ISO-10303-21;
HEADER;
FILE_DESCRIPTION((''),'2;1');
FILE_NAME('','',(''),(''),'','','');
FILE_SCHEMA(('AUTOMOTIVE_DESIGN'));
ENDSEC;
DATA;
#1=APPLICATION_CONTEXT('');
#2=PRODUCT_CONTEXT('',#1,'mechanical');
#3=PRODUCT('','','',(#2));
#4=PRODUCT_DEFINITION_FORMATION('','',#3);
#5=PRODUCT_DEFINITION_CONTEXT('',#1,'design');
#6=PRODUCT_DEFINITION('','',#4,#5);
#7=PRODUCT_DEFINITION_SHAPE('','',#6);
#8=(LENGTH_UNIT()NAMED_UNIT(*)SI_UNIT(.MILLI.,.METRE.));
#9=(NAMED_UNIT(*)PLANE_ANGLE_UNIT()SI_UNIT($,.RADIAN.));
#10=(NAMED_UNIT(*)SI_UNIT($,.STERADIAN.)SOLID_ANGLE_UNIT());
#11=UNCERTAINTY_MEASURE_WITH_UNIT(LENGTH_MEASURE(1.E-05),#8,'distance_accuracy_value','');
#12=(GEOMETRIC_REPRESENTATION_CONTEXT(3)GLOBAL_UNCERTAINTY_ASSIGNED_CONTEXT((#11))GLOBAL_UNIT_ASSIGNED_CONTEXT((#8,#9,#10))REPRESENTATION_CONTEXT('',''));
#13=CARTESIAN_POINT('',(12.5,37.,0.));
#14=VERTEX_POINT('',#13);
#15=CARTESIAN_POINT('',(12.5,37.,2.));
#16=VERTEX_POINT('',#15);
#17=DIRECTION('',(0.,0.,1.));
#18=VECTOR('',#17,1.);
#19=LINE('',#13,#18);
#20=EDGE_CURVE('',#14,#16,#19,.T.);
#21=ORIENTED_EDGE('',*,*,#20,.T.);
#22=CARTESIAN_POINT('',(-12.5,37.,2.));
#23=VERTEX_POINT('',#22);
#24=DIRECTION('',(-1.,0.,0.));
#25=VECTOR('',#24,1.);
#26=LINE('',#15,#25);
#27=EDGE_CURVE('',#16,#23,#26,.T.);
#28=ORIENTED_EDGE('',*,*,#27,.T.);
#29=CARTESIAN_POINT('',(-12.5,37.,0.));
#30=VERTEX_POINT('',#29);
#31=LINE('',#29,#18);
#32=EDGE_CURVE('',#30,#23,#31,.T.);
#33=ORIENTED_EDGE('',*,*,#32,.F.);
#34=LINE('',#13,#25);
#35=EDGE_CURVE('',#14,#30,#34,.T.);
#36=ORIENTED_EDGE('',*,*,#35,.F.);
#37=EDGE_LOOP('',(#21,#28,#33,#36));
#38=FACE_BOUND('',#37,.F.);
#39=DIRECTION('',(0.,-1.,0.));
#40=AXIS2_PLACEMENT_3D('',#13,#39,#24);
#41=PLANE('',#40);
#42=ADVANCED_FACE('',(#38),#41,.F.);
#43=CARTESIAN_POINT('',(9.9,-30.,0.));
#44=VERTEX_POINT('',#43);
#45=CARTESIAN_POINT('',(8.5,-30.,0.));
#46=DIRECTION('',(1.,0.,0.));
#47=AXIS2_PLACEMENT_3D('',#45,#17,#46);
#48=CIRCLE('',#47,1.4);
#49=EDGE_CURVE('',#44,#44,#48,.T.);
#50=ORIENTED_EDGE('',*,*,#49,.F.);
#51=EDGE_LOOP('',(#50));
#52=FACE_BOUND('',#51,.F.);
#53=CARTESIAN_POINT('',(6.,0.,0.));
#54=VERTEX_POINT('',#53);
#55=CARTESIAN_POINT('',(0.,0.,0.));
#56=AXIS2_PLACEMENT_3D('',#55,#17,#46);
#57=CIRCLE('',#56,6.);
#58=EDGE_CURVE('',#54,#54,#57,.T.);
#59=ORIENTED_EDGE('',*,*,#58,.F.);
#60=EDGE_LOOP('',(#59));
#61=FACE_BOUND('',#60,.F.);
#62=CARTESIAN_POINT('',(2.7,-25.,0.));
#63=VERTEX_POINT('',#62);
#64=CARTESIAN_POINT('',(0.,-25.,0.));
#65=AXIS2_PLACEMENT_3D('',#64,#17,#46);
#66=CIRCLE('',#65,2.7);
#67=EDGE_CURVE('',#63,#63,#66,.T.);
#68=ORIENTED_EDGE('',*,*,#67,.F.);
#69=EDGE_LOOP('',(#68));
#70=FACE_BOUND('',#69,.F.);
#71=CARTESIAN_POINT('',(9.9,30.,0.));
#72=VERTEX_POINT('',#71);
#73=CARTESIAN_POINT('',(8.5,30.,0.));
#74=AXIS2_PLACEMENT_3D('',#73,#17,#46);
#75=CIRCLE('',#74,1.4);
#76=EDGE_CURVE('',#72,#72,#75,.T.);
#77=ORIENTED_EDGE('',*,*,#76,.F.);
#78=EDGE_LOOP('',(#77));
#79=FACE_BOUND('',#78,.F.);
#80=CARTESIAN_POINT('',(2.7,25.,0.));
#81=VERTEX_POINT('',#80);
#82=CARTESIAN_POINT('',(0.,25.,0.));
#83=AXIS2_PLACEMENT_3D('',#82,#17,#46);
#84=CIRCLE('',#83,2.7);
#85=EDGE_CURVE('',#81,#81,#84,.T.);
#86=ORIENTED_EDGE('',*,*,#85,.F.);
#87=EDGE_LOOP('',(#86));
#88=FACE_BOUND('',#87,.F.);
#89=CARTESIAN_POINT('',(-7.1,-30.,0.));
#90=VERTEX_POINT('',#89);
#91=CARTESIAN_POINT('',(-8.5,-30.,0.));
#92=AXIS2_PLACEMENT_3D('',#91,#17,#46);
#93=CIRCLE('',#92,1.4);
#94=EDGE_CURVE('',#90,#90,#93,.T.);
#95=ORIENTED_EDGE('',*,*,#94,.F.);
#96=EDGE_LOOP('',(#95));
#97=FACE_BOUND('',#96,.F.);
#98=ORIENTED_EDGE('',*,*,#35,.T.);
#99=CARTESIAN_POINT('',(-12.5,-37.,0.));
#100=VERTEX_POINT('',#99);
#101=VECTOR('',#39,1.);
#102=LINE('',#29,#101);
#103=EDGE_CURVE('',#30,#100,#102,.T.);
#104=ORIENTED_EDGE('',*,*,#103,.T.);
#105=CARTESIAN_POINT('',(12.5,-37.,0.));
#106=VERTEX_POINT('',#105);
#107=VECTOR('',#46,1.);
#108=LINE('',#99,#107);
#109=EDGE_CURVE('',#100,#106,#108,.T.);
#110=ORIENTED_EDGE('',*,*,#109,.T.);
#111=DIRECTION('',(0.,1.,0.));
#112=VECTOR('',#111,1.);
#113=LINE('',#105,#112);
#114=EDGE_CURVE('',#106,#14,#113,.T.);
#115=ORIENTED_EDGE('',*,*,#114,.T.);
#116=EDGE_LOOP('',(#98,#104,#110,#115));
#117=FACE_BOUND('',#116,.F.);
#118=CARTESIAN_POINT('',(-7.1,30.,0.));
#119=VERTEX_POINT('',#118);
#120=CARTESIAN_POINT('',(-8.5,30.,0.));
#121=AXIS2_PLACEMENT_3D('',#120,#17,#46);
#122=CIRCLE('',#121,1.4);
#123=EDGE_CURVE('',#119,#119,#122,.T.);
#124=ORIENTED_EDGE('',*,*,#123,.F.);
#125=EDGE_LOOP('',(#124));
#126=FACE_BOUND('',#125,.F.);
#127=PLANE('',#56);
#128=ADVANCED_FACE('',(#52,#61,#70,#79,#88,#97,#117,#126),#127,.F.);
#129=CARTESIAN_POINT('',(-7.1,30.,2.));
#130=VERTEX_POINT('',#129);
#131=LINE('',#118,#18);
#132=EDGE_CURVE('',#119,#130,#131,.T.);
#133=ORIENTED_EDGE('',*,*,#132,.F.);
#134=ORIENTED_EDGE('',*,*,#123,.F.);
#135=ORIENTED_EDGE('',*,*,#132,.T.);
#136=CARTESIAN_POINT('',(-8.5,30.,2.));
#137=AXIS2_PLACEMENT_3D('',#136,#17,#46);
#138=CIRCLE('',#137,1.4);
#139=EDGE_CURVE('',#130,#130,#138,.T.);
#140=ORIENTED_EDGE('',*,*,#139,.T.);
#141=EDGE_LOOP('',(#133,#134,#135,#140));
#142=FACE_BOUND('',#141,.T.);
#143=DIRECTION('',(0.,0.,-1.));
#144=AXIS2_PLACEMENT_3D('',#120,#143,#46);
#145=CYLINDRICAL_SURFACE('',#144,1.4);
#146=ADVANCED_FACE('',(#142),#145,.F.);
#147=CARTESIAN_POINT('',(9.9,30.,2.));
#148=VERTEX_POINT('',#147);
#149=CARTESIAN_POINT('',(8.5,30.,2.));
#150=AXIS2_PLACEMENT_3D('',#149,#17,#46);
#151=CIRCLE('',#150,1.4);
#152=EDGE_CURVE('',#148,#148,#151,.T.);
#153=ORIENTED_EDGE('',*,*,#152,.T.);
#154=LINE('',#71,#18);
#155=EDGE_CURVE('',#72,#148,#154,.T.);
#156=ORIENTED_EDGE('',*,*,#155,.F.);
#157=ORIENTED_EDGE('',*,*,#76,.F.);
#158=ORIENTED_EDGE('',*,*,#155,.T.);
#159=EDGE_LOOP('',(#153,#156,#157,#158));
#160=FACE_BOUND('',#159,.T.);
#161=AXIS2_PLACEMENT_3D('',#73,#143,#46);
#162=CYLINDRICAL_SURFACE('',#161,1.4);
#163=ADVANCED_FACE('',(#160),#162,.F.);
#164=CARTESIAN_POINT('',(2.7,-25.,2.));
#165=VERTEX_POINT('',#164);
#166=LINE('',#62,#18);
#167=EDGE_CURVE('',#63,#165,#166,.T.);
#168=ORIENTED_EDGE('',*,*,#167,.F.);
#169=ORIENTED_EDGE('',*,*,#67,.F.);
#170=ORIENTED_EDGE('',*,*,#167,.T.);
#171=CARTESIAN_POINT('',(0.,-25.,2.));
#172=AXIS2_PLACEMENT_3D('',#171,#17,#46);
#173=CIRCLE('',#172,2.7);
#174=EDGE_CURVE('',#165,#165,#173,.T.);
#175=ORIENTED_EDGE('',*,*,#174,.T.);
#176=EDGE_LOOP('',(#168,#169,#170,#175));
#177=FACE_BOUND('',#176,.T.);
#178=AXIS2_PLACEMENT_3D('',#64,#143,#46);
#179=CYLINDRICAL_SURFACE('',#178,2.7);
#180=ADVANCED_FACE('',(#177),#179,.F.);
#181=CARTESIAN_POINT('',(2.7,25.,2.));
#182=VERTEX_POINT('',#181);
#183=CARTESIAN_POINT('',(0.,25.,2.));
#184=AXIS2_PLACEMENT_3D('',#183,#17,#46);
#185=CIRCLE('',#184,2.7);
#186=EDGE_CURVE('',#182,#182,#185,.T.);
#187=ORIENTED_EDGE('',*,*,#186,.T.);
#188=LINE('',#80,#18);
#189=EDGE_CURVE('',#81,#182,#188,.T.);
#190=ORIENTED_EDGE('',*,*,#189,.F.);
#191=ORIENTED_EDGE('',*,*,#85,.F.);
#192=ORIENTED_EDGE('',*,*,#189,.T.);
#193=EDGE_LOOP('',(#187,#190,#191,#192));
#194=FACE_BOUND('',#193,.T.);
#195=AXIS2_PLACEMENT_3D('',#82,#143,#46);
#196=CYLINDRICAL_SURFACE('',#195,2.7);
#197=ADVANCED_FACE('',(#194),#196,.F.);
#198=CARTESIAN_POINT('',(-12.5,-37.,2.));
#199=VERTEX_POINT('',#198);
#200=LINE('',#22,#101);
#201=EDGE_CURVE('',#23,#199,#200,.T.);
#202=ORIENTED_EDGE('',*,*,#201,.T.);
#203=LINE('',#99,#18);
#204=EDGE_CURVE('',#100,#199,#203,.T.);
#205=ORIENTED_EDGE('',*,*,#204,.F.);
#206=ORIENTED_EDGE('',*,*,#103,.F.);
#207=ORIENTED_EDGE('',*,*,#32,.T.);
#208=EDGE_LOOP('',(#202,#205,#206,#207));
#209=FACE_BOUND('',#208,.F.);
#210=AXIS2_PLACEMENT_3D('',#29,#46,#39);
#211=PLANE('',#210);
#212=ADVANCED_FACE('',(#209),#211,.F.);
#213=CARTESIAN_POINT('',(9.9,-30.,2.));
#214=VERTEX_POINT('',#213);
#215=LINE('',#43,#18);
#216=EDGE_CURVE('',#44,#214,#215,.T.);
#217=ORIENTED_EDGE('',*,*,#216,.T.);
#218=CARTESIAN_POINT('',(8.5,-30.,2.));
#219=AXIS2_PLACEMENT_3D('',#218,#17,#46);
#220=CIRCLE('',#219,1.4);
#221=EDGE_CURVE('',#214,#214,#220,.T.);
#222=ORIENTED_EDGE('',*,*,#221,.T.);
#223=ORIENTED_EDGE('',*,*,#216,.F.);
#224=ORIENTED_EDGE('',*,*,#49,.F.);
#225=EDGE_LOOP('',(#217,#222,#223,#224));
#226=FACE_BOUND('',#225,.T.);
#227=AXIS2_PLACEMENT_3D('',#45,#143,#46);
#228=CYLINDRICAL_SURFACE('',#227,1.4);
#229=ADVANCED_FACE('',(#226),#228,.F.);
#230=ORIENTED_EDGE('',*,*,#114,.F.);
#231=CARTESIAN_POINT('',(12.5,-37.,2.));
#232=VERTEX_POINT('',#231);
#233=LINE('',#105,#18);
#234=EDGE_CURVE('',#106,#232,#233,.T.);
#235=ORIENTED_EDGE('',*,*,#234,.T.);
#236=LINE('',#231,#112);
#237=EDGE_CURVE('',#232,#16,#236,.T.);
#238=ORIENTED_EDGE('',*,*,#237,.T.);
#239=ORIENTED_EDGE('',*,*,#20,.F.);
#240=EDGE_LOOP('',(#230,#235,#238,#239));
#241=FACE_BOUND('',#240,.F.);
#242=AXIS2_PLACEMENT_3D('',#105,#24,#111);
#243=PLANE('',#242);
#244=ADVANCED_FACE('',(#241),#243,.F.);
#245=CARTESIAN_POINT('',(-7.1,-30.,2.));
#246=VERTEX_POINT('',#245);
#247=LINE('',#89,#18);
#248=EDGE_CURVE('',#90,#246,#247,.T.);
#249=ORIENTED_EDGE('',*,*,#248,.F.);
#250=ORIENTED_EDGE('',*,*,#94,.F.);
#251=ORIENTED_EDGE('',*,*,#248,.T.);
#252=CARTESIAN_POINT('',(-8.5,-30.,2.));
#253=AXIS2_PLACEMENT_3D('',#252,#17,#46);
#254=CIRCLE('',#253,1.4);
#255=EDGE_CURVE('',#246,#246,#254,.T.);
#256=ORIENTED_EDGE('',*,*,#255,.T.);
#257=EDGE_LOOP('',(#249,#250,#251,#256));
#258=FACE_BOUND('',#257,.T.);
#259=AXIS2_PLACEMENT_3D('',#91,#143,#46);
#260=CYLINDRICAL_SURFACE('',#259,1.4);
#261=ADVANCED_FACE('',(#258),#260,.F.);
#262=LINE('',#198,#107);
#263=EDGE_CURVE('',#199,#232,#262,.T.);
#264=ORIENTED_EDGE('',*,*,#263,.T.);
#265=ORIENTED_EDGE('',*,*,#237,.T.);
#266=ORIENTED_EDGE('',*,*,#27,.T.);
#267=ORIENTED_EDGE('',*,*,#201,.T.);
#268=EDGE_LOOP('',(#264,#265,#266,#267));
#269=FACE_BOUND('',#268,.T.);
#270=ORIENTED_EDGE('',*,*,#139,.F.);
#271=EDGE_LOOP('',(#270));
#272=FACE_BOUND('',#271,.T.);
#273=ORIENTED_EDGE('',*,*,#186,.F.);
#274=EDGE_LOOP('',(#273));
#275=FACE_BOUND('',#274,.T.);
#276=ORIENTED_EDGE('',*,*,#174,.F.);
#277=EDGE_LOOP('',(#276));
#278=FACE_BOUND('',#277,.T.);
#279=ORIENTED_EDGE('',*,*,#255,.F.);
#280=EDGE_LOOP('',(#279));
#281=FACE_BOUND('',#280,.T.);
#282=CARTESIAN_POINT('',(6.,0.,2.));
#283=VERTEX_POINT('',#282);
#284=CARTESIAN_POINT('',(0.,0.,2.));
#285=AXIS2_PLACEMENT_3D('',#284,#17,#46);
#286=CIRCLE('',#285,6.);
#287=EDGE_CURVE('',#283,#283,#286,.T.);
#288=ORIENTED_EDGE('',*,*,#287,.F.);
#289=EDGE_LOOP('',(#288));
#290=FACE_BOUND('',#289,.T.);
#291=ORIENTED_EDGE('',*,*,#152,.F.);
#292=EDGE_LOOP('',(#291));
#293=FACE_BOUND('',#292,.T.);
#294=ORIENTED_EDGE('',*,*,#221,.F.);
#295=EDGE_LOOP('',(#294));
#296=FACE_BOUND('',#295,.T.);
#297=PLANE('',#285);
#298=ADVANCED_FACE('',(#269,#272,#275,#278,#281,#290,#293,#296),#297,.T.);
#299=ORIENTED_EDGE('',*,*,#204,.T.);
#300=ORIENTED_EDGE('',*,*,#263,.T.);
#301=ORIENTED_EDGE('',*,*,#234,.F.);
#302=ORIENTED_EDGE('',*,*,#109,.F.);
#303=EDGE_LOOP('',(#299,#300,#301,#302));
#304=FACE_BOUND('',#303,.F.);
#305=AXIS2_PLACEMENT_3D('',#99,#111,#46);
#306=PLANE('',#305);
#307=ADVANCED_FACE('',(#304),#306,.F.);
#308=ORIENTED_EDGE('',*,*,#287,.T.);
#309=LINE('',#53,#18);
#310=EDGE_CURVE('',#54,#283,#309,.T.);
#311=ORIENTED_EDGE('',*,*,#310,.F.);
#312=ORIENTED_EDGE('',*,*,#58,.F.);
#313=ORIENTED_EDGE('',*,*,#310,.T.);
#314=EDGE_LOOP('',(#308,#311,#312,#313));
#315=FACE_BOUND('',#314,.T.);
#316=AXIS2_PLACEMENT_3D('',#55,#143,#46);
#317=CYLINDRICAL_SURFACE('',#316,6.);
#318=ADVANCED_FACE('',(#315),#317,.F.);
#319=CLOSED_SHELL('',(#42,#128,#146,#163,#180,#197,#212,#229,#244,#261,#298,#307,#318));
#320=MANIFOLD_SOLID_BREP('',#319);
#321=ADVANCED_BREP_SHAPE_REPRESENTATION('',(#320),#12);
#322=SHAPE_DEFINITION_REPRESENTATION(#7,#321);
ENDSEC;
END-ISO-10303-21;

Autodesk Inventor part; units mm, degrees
ref_plane "YZ Plane" through (0, 0, 0) normal (1, 0, 0) x (0, 1, 0)
ref_plane "XZ Plane" through (0, 0, 0) normal (0, 1, 0) x (-1, 0, 0)
ref_plane "XY Plane" through (0, 0, 0) normal (0, 0, 1) x (1, 0, 0)
ref_plane "Arbeitsebene1" through (0, 0, 0) normal (0, 0, 1) x (1, 0, 0)
sketch "Skizze1" plane through (0, 0, 0) normal (0, 0, 1) x (1, 0, 0)
  circle A0 centre (0, -25) radius 2.5 projected
  circle A1 centre (0, 25) radius 2.5 projected
  line L0 (12.5, -37) -> (12.5, 37) projected
  line L1 (12.5, 37) -> (-12.5, 37) projected
  line L2 (-12.5, 37) -> (-12.5, -37) projected
  line L3 (-12.5, -37) -> (12.5, -37) projected
  circle A2 centre (8.5, -30) radius 1.4 projected
  circle A3 centre (-8.5, -30) radius 1.4 projected
  circle A4 centre (-8.5, 30) radius 1.4 projected
  circle A5 centre (8.5, 30) radius 1.4 projected
  circle A6 centre (0, 0) radius 6
  circle A7 centre (0, 25) radius 2.7
  circle A8 centre (0, -25) radius 2.7
  line L4 (-9.25, 9.25) -> (9.25, 9.25) projected
  line L5 (9.25, 9.25) -> (9.25, -9.25) projected
  line L6 (9.25, -9.25) -> (-9.25, -9.25) projected
  line L7 (-9.25, -9.25) -> (-9.25, 9.25) projected
  point P0 (0.75, -9.25)
  point P1 (-0.75, -9.25)
  point P2 (-0.75, 9.25)
  point P3 (0.75, 9.25)
  point P4 (0.75, 5.9529)
  point P5 (-0.75, 5.9529)
  point P6 (0.75, -5.9529)
  point P7 (-0.75, -5.9529)
  dimension "d0" = 12
  dimension "d4" = 0.2
  dimension "d5" = 0.2
extrude "Extrusion1" add sketch "Skizze1" along normal blind 2 contours L3 L2 L1 L0 | L4 L5 L6 L7
sketch "Skizze2" plane through (0, 0, 0) normal (0, 0, -1) x (-1, 0, 0)
  line L0 (-9, -9) -> (-9, 9) projected
  line L1 (9, -9) -> (-9, -9) projected
  line L2 (9, 9) -> (9, -9) projected
  line L3 (-9, 9) -> (9, 9) projected
  line L4 (9.5, -9.5) -> (-9.5, -9.5)
  line L5 (-9.5, -9.5) -> (-9.5, 9.5)
  line L6 (-9.5, 9.5) -> (9.5, 9.5)
  line L7 (9.5, 9.5) -> (9.5, -9.5)
  point P0 (0, 0)
  dimension "d6" = 0.5
properties part number "40_microfluidic_chip_lightsheet_layer2_v0"
